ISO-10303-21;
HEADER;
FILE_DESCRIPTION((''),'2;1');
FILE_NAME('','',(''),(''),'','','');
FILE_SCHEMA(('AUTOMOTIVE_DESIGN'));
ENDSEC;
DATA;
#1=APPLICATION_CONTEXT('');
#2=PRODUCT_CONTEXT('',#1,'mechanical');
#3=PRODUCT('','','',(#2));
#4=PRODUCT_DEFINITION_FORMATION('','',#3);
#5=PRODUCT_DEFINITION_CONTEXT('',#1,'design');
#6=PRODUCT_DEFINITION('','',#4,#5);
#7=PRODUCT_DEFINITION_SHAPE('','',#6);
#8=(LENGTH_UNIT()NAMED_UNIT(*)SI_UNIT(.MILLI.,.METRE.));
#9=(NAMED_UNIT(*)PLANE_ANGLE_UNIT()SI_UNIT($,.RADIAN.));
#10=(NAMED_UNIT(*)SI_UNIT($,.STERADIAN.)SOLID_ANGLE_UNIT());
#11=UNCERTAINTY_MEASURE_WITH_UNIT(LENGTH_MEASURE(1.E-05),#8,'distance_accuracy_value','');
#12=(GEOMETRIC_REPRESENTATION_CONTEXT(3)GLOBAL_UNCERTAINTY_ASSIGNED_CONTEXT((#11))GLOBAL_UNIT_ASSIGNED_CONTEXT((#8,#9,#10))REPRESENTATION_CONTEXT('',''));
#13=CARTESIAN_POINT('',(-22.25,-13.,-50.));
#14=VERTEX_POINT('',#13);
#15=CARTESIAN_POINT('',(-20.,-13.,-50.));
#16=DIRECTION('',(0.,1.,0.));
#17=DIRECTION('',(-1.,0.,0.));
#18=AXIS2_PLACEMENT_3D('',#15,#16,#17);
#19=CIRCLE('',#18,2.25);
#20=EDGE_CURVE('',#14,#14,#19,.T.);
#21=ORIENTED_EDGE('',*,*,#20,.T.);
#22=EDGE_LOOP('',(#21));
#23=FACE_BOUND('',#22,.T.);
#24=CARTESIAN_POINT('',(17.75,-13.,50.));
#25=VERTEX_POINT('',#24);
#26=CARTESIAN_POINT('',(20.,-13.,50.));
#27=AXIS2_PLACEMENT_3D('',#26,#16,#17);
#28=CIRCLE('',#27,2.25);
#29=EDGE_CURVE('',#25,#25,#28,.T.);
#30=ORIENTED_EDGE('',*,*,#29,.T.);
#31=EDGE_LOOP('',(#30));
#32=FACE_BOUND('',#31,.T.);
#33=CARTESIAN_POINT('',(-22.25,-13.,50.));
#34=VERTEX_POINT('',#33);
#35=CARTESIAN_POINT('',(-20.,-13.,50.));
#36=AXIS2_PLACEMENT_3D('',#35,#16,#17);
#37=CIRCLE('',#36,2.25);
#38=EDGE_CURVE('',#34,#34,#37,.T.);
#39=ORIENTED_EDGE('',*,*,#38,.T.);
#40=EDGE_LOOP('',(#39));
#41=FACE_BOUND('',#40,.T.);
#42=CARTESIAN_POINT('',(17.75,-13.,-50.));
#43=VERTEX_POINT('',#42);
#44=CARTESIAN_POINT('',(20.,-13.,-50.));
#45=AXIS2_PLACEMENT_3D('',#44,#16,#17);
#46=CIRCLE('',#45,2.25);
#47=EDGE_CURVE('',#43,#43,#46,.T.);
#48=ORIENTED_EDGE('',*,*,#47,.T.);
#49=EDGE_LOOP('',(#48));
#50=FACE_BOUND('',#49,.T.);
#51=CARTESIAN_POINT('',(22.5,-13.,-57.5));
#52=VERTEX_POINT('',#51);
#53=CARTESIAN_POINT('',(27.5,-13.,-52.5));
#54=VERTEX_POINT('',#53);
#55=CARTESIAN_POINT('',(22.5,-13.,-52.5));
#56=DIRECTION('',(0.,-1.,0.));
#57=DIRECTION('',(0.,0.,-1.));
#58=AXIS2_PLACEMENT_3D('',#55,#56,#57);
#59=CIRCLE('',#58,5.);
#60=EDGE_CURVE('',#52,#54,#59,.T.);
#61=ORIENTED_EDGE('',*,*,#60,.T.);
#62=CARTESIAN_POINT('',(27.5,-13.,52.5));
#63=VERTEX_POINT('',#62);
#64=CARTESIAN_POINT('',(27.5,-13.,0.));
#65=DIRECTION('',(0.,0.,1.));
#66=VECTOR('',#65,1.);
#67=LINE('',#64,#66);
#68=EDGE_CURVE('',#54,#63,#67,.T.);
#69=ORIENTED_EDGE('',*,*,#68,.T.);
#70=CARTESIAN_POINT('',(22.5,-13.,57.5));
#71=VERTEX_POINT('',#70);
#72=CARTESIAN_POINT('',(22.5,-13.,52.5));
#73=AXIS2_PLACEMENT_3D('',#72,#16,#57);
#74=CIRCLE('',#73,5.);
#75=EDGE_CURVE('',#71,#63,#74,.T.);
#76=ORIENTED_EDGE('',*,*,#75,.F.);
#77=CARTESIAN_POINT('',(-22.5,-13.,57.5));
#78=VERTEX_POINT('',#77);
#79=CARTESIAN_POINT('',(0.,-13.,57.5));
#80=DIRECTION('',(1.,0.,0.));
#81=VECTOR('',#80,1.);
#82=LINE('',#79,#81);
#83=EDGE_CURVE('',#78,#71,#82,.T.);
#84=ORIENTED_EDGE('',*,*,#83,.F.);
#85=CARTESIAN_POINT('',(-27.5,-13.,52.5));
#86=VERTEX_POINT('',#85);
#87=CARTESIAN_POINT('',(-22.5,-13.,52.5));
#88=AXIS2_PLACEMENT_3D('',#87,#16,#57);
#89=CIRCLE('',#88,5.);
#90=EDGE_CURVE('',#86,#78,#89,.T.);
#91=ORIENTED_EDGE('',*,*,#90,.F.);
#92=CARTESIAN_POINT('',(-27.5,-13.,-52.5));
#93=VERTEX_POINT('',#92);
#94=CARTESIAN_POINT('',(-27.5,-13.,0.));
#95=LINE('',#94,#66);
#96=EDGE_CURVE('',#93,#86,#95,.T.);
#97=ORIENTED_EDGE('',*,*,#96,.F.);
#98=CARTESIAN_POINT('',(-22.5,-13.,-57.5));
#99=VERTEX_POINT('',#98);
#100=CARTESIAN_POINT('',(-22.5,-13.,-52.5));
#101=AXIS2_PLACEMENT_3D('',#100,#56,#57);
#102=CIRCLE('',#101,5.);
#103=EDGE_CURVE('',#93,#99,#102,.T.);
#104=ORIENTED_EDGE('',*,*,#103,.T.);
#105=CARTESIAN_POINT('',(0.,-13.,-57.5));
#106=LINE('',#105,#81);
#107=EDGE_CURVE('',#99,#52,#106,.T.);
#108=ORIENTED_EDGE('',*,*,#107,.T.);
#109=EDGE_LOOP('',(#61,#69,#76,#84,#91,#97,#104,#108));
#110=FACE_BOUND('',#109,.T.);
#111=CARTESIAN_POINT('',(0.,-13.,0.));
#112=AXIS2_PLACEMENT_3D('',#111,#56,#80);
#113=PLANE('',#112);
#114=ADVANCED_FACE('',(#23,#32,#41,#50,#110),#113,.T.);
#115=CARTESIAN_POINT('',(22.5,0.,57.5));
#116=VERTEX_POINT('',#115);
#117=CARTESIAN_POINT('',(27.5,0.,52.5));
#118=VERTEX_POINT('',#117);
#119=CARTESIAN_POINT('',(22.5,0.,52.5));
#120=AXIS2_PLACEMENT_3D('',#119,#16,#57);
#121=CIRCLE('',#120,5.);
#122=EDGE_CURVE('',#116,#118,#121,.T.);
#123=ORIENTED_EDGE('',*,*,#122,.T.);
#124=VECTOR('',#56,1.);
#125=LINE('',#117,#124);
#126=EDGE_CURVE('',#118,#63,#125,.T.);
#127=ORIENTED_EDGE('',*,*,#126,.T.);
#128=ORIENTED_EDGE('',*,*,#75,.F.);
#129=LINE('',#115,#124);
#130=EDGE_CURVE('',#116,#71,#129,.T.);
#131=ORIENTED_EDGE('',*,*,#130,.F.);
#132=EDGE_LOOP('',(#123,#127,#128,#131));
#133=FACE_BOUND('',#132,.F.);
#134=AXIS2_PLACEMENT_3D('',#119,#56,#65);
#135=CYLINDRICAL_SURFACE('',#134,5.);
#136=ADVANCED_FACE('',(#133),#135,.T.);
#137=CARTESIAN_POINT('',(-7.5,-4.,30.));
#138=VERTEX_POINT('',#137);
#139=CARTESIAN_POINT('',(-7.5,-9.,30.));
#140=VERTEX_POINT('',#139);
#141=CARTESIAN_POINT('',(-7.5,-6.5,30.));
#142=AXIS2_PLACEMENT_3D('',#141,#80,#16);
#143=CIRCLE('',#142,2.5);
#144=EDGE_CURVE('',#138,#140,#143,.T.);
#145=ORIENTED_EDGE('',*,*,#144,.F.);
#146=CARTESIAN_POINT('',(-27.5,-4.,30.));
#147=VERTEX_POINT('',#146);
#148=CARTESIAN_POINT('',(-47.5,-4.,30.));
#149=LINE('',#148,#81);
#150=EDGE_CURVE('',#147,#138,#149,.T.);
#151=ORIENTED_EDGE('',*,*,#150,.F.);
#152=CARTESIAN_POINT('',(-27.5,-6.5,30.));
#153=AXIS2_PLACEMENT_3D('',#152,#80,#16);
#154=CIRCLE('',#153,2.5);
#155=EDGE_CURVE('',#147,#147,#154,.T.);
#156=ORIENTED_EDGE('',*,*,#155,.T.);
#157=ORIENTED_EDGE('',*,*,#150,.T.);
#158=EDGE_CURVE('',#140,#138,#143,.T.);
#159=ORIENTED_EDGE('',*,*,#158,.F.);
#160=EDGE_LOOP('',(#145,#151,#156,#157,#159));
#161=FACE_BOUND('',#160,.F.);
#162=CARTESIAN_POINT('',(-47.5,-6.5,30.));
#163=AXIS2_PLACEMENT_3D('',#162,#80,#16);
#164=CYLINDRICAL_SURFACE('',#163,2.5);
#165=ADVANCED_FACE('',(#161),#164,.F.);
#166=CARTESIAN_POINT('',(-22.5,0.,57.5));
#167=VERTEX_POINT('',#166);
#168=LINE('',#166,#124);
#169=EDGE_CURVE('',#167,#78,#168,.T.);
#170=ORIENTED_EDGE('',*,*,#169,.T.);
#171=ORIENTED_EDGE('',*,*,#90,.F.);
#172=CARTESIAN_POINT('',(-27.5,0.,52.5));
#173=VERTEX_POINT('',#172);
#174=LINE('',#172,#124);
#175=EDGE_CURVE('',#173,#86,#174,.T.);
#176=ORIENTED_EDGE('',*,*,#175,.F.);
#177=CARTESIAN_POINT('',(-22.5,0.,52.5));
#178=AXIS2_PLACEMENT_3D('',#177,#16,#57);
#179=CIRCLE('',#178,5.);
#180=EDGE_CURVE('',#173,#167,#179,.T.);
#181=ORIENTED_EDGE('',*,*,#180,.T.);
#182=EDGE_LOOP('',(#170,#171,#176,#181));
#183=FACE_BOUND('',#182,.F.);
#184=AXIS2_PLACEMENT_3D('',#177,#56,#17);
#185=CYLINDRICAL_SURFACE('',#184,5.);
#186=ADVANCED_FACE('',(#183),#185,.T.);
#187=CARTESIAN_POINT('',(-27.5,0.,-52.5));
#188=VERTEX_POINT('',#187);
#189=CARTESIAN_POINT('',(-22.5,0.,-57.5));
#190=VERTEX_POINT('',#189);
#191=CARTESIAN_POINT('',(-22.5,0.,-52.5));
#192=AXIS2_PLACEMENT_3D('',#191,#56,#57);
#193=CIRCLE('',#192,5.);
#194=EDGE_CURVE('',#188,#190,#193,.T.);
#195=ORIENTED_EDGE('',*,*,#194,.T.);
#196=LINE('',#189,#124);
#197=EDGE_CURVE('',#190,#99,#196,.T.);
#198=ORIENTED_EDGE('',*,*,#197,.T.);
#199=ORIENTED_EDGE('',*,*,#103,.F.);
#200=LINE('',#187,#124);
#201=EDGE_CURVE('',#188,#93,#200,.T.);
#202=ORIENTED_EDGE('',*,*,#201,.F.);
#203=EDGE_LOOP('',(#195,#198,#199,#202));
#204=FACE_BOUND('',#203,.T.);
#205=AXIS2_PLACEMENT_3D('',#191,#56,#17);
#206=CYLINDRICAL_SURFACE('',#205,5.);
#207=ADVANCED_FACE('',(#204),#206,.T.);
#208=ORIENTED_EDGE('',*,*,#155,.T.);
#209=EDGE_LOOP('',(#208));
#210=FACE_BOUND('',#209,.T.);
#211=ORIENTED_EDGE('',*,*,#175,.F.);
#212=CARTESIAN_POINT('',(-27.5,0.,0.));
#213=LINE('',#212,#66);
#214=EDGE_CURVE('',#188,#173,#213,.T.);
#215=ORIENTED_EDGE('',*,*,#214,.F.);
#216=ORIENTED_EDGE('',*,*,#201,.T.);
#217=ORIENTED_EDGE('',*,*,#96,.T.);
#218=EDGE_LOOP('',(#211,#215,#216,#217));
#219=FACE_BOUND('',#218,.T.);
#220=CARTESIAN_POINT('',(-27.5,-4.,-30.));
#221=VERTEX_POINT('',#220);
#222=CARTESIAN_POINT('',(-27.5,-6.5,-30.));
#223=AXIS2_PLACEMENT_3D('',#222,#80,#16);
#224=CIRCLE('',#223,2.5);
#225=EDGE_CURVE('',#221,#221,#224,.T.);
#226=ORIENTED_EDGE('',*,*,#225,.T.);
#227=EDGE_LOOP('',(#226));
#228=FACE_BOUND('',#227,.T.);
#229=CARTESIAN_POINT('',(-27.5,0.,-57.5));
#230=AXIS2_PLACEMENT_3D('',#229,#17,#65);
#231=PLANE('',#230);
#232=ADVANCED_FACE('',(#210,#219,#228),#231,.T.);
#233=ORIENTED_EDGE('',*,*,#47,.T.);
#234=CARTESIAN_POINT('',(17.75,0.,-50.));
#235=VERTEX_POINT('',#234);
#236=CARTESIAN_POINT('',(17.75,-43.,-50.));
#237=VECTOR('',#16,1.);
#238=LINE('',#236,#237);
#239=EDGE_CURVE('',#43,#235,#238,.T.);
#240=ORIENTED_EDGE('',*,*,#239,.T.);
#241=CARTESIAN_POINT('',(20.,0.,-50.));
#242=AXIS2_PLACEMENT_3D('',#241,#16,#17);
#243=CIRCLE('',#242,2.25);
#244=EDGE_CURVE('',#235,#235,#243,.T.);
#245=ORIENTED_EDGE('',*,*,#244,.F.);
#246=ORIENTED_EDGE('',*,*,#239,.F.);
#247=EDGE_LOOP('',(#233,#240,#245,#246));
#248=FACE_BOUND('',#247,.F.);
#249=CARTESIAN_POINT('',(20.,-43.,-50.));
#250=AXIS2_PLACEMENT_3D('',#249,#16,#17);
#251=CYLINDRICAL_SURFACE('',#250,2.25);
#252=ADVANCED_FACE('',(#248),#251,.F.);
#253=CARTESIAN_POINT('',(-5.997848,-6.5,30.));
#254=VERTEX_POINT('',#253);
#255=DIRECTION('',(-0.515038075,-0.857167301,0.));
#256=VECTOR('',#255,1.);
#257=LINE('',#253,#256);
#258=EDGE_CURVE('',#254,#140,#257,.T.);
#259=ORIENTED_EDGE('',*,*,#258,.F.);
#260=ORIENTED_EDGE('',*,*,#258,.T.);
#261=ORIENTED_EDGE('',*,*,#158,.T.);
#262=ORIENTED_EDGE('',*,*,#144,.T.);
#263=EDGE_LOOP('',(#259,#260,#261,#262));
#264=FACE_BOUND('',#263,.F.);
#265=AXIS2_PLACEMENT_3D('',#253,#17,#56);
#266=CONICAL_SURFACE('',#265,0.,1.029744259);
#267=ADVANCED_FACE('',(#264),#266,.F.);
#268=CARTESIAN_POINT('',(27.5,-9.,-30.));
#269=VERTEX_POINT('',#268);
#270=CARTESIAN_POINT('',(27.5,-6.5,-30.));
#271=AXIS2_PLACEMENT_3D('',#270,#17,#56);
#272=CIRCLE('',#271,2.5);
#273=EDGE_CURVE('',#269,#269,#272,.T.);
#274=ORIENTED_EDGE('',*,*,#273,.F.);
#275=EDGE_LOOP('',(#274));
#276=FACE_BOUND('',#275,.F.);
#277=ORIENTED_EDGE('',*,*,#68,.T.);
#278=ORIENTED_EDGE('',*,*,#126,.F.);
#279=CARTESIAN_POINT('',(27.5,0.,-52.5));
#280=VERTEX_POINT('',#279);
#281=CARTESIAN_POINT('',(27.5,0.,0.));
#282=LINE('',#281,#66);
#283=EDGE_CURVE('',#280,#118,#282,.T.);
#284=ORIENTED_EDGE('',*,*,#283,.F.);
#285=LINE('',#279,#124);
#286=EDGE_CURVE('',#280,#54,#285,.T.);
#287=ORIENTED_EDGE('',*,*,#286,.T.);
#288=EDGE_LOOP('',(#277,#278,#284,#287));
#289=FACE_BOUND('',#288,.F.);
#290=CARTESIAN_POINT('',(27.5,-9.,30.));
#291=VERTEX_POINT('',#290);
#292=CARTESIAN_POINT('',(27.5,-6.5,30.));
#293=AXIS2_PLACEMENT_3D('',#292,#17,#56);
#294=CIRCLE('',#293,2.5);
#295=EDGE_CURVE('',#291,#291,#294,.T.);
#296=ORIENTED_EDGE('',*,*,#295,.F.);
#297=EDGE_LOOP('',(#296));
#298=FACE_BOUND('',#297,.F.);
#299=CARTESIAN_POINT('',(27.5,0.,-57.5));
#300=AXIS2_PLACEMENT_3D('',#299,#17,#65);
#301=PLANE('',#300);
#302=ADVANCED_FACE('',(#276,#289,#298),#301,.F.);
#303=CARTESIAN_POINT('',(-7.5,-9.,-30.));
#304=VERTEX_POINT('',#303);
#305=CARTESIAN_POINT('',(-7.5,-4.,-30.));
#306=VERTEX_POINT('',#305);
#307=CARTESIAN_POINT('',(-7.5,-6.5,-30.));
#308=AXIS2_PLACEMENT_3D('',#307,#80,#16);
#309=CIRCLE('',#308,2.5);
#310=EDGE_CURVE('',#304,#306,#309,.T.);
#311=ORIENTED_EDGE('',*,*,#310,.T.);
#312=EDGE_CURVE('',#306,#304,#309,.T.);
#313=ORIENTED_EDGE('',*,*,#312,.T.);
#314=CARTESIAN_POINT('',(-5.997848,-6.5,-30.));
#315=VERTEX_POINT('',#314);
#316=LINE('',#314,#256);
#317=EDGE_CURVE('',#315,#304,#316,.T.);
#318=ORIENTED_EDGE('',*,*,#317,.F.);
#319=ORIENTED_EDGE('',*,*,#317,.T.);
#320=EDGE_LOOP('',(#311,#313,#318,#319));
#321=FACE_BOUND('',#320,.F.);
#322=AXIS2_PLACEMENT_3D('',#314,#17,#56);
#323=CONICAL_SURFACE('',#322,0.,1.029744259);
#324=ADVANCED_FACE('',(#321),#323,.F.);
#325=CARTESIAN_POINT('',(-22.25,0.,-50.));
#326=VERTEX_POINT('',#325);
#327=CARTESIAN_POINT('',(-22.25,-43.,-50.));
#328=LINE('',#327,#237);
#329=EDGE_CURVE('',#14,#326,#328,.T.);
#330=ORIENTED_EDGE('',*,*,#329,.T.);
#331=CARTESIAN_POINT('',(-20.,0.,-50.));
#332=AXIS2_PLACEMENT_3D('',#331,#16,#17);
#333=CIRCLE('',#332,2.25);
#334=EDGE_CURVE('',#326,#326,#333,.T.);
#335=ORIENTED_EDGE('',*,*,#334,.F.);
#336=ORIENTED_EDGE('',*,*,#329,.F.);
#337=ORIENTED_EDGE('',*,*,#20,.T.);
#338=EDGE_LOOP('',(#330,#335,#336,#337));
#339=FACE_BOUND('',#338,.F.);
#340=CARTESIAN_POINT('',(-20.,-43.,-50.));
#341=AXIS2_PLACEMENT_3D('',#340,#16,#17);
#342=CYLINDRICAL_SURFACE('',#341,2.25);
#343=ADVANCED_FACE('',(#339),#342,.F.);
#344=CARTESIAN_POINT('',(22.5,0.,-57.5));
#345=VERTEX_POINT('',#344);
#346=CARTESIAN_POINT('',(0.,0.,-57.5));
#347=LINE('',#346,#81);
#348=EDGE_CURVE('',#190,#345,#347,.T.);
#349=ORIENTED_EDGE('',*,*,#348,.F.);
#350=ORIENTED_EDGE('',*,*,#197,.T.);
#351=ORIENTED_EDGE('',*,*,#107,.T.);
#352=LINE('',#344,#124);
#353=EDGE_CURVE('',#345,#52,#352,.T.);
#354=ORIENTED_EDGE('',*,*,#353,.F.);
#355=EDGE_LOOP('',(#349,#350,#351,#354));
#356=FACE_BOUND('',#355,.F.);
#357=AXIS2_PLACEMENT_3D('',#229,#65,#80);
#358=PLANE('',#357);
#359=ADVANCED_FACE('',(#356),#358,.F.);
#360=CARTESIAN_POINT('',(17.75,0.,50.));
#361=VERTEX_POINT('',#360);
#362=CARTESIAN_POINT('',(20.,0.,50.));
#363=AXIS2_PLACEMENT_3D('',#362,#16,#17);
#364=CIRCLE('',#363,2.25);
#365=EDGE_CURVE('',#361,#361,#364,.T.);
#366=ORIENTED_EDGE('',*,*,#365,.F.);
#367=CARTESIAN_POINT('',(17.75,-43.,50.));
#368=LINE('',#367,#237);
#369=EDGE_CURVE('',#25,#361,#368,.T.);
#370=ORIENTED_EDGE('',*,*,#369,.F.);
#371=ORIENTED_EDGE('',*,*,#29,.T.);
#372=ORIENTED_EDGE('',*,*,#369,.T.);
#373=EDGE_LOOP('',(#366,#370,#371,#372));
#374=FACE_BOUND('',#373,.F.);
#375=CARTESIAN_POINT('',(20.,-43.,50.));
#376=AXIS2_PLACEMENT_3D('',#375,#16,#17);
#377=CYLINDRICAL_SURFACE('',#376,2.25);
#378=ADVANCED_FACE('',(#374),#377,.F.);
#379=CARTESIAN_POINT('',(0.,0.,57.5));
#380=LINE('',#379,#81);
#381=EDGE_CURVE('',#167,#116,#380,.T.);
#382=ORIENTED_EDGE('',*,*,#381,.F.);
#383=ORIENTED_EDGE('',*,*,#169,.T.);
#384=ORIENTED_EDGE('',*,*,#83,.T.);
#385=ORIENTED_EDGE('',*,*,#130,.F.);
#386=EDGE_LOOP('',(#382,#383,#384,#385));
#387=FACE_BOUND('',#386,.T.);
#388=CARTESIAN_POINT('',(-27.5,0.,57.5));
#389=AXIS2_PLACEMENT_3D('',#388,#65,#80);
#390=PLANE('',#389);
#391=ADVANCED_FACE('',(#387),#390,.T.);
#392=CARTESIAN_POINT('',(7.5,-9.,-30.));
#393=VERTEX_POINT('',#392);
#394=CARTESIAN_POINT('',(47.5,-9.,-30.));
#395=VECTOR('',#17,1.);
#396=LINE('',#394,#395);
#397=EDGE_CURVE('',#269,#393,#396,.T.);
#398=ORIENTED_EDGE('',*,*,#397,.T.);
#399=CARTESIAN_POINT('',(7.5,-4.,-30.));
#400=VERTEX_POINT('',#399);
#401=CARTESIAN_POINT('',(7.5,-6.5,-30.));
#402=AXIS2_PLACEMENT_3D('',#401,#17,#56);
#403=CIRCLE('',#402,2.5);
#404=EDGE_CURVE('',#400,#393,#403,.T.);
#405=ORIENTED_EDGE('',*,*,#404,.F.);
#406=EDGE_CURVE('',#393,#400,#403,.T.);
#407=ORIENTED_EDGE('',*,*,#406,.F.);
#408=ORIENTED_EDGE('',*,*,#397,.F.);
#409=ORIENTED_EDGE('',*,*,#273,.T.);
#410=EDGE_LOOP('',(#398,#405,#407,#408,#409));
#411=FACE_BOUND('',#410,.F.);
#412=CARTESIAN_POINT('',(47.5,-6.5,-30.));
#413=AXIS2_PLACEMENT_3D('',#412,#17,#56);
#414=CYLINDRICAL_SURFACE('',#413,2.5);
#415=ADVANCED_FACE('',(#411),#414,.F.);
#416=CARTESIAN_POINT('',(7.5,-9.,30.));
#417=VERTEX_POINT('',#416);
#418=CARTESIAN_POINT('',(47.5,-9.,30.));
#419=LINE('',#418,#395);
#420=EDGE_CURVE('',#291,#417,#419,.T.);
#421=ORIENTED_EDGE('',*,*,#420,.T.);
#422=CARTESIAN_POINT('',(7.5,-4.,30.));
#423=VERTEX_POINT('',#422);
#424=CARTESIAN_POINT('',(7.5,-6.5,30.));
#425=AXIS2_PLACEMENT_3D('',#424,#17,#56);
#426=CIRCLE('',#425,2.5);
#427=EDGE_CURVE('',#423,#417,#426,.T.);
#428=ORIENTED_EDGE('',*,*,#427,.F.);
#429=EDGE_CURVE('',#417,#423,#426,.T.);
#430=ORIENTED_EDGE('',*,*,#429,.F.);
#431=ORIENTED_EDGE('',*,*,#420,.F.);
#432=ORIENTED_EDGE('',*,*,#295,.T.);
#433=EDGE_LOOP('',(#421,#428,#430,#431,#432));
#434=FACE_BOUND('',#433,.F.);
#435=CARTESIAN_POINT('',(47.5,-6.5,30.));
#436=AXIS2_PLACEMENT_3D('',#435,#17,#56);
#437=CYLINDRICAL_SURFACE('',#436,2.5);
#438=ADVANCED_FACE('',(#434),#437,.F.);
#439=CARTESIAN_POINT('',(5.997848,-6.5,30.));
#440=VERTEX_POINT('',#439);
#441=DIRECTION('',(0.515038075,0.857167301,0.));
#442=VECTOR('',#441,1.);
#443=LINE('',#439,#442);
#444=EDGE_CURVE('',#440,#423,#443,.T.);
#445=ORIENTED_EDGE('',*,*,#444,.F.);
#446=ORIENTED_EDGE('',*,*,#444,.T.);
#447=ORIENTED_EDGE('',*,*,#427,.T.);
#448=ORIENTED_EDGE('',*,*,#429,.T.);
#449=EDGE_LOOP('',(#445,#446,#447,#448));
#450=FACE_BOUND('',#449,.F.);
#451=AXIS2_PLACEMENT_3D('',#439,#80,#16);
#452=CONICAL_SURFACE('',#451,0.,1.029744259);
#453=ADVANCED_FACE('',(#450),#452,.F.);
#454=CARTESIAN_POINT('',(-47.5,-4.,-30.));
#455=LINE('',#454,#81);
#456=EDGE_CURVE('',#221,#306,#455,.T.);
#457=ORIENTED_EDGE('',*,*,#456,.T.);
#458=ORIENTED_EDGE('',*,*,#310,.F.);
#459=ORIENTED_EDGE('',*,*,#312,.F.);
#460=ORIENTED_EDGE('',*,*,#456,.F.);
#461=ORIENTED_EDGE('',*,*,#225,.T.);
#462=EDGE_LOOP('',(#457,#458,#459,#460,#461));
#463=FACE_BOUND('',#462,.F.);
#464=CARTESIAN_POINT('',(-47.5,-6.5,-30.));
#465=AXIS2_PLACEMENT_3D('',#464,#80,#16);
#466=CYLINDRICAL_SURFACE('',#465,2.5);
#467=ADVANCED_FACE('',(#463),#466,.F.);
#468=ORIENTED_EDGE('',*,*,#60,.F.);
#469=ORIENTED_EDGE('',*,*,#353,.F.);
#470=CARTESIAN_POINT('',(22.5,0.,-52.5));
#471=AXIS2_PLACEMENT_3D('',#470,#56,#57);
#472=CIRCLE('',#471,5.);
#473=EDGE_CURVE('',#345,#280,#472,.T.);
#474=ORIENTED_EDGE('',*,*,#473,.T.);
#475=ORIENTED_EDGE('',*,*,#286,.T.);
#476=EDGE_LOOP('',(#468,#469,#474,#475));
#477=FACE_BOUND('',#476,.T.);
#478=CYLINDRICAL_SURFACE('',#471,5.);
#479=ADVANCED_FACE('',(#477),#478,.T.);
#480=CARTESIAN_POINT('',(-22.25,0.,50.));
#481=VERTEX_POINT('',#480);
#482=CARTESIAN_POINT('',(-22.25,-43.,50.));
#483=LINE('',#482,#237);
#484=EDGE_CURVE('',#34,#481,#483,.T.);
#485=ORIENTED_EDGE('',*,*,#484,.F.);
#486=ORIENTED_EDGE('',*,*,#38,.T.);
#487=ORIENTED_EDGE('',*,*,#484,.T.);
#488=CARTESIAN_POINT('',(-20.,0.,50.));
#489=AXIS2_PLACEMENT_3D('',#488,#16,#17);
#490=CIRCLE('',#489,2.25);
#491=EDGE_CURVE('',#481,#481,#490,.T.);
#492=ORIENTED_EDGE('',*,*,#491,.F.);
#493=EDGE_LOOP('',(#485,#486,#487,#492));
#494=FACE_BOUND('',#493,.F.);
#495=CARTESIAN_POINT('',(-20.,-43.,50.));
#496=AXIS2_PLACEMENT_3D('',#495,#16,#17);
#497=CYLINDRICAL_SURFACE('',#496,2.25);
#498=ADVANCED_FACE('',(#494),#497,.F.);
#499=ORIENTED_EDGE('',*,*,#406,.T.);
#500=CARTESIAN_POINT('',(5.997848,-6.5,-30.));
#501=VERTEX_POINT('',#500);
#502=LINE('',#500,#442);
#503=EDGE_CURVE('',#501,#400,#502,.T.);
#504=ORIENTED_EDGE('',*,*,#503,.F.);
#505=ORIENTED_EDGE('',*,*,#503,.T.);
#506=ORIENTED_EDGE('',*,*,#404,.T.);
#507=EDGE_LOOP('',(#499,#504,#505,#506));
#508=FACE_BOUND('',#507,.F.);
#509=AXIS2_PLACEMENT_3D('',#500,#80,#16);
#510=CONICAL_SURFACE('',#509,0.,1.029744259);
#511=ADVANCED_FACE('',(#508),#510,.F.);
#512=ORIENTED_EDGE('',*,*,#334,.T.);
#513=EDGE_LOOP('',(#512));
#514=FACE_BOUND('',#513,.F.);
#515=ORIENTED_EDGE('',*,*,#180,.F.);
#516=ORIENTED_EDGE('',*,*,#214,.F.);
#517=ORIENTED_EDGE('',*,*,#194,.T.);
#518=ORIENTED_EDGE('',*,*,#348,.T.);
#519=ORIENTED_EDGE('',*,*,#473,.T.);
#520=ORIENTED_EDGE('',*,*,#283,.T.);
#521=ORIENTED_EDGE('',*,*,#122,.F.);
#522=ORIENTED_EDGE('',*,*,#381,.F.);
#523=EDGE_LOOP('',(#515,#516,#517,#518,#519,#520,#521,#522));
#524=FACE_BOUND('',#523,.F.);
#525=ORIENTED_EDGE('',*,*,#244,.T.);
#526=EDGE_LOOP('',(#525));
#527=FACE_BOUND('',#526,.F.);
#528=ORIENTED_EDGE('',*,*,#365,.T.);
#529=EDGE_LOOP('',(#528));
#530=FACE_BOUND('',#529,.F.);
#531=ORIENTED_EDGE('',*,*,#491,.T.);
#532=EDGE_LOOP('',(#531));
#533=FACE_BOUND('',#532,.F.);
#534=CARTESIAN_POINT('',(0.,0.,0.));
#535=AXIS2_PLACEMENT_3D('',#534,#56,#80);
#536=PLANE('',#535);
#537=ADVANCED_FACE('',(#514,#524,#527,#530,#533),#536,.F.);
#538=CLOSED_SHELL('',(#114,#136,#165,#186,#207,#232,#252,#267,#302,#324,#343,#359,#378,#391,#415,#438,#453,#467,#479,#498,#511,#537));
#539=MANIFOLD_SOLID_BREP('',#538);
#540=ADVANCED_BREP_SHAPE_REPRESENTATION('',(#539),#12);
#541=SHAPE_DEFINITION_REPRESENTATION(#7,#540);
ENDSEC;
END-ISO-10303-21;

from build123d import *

# Parameters (mm, degrees)
F0_W     = 55
F0_H     = 115
F1_DEPTH = 13
F3_D     = 4.5
F3_DEPTH = 30
F3_TIP   = 1.3519363928
F5_D     = 5
F5_DEPTH = 20
F5_TIP   = 1.5021515476
F7_D     = 5
F7_DEPTH = 20
F7_TIP   = 1.5021515476
F8_R     = 5


with BuildPart() as f1:
    # F0 (on Front) → F1 (new body)
    with BuildSketch(Plane.XZ):
        Rectangle(F0_W, F0_H)
    extrude(amount=F1_DEPTH)

    # F3
    with Locations(Plane.XZ.offset(13)):
        with Locations((-20, 50), (20, 50), (20, -50), (-20, -50)):
            Hole(F3_D / 2, depth=F3_DEPTH)
            with Locations((0, 0, -(F3_DEPTH + F3_TIP / 2))):  # 118° drill point
                Cone(0, F3_D / 2, F3_TIP, mode=Mode.SUBTRACT)

    # F5
    with Locations(Plane.YZ.offset(27.5)):
        with Locations((-6.5, 30), (-6.5, -30)):
            Hole(F5_D / 2, depth=F5_DEPTH)
            with Locations((0, 0, -(F5_DEPTH + F5_TIP / 2))):  # 118° drill point
                Cone(0, F5_D / 2, F5_TIP, mode=Mode.SUBTRACT)

    # F7
    with Locations(Plane(origin=(-27.5, 0, 0), x_dir=(0, -1, 0), z_dir=(-1, 0, 0))):
        with Locations((6.5, 30), (6.5, -30)):
            Hole(F7_D / 2, depth=F7_DEPTH)
            with Locations((0, 0, -(F7_DEPTH + F7_TIP / 2))):  # 118° drill point
                Cone(0, F7_D / 2, F7_TIP, mode=Mode.SUBTRACT)

    # F8
    f8_edges = [f1.edges().sort_by_distance(p)[0] for p in [
        (27.5, -6.5, 57.5),
        (-27.5, -6.5, 57.5),
        (-27.5, -6.5, -57.5),
        (27.5, -6.5, -57.5),
    ]]
    fillet(f8_edges, radius=F8_R)


solid = f1.part
